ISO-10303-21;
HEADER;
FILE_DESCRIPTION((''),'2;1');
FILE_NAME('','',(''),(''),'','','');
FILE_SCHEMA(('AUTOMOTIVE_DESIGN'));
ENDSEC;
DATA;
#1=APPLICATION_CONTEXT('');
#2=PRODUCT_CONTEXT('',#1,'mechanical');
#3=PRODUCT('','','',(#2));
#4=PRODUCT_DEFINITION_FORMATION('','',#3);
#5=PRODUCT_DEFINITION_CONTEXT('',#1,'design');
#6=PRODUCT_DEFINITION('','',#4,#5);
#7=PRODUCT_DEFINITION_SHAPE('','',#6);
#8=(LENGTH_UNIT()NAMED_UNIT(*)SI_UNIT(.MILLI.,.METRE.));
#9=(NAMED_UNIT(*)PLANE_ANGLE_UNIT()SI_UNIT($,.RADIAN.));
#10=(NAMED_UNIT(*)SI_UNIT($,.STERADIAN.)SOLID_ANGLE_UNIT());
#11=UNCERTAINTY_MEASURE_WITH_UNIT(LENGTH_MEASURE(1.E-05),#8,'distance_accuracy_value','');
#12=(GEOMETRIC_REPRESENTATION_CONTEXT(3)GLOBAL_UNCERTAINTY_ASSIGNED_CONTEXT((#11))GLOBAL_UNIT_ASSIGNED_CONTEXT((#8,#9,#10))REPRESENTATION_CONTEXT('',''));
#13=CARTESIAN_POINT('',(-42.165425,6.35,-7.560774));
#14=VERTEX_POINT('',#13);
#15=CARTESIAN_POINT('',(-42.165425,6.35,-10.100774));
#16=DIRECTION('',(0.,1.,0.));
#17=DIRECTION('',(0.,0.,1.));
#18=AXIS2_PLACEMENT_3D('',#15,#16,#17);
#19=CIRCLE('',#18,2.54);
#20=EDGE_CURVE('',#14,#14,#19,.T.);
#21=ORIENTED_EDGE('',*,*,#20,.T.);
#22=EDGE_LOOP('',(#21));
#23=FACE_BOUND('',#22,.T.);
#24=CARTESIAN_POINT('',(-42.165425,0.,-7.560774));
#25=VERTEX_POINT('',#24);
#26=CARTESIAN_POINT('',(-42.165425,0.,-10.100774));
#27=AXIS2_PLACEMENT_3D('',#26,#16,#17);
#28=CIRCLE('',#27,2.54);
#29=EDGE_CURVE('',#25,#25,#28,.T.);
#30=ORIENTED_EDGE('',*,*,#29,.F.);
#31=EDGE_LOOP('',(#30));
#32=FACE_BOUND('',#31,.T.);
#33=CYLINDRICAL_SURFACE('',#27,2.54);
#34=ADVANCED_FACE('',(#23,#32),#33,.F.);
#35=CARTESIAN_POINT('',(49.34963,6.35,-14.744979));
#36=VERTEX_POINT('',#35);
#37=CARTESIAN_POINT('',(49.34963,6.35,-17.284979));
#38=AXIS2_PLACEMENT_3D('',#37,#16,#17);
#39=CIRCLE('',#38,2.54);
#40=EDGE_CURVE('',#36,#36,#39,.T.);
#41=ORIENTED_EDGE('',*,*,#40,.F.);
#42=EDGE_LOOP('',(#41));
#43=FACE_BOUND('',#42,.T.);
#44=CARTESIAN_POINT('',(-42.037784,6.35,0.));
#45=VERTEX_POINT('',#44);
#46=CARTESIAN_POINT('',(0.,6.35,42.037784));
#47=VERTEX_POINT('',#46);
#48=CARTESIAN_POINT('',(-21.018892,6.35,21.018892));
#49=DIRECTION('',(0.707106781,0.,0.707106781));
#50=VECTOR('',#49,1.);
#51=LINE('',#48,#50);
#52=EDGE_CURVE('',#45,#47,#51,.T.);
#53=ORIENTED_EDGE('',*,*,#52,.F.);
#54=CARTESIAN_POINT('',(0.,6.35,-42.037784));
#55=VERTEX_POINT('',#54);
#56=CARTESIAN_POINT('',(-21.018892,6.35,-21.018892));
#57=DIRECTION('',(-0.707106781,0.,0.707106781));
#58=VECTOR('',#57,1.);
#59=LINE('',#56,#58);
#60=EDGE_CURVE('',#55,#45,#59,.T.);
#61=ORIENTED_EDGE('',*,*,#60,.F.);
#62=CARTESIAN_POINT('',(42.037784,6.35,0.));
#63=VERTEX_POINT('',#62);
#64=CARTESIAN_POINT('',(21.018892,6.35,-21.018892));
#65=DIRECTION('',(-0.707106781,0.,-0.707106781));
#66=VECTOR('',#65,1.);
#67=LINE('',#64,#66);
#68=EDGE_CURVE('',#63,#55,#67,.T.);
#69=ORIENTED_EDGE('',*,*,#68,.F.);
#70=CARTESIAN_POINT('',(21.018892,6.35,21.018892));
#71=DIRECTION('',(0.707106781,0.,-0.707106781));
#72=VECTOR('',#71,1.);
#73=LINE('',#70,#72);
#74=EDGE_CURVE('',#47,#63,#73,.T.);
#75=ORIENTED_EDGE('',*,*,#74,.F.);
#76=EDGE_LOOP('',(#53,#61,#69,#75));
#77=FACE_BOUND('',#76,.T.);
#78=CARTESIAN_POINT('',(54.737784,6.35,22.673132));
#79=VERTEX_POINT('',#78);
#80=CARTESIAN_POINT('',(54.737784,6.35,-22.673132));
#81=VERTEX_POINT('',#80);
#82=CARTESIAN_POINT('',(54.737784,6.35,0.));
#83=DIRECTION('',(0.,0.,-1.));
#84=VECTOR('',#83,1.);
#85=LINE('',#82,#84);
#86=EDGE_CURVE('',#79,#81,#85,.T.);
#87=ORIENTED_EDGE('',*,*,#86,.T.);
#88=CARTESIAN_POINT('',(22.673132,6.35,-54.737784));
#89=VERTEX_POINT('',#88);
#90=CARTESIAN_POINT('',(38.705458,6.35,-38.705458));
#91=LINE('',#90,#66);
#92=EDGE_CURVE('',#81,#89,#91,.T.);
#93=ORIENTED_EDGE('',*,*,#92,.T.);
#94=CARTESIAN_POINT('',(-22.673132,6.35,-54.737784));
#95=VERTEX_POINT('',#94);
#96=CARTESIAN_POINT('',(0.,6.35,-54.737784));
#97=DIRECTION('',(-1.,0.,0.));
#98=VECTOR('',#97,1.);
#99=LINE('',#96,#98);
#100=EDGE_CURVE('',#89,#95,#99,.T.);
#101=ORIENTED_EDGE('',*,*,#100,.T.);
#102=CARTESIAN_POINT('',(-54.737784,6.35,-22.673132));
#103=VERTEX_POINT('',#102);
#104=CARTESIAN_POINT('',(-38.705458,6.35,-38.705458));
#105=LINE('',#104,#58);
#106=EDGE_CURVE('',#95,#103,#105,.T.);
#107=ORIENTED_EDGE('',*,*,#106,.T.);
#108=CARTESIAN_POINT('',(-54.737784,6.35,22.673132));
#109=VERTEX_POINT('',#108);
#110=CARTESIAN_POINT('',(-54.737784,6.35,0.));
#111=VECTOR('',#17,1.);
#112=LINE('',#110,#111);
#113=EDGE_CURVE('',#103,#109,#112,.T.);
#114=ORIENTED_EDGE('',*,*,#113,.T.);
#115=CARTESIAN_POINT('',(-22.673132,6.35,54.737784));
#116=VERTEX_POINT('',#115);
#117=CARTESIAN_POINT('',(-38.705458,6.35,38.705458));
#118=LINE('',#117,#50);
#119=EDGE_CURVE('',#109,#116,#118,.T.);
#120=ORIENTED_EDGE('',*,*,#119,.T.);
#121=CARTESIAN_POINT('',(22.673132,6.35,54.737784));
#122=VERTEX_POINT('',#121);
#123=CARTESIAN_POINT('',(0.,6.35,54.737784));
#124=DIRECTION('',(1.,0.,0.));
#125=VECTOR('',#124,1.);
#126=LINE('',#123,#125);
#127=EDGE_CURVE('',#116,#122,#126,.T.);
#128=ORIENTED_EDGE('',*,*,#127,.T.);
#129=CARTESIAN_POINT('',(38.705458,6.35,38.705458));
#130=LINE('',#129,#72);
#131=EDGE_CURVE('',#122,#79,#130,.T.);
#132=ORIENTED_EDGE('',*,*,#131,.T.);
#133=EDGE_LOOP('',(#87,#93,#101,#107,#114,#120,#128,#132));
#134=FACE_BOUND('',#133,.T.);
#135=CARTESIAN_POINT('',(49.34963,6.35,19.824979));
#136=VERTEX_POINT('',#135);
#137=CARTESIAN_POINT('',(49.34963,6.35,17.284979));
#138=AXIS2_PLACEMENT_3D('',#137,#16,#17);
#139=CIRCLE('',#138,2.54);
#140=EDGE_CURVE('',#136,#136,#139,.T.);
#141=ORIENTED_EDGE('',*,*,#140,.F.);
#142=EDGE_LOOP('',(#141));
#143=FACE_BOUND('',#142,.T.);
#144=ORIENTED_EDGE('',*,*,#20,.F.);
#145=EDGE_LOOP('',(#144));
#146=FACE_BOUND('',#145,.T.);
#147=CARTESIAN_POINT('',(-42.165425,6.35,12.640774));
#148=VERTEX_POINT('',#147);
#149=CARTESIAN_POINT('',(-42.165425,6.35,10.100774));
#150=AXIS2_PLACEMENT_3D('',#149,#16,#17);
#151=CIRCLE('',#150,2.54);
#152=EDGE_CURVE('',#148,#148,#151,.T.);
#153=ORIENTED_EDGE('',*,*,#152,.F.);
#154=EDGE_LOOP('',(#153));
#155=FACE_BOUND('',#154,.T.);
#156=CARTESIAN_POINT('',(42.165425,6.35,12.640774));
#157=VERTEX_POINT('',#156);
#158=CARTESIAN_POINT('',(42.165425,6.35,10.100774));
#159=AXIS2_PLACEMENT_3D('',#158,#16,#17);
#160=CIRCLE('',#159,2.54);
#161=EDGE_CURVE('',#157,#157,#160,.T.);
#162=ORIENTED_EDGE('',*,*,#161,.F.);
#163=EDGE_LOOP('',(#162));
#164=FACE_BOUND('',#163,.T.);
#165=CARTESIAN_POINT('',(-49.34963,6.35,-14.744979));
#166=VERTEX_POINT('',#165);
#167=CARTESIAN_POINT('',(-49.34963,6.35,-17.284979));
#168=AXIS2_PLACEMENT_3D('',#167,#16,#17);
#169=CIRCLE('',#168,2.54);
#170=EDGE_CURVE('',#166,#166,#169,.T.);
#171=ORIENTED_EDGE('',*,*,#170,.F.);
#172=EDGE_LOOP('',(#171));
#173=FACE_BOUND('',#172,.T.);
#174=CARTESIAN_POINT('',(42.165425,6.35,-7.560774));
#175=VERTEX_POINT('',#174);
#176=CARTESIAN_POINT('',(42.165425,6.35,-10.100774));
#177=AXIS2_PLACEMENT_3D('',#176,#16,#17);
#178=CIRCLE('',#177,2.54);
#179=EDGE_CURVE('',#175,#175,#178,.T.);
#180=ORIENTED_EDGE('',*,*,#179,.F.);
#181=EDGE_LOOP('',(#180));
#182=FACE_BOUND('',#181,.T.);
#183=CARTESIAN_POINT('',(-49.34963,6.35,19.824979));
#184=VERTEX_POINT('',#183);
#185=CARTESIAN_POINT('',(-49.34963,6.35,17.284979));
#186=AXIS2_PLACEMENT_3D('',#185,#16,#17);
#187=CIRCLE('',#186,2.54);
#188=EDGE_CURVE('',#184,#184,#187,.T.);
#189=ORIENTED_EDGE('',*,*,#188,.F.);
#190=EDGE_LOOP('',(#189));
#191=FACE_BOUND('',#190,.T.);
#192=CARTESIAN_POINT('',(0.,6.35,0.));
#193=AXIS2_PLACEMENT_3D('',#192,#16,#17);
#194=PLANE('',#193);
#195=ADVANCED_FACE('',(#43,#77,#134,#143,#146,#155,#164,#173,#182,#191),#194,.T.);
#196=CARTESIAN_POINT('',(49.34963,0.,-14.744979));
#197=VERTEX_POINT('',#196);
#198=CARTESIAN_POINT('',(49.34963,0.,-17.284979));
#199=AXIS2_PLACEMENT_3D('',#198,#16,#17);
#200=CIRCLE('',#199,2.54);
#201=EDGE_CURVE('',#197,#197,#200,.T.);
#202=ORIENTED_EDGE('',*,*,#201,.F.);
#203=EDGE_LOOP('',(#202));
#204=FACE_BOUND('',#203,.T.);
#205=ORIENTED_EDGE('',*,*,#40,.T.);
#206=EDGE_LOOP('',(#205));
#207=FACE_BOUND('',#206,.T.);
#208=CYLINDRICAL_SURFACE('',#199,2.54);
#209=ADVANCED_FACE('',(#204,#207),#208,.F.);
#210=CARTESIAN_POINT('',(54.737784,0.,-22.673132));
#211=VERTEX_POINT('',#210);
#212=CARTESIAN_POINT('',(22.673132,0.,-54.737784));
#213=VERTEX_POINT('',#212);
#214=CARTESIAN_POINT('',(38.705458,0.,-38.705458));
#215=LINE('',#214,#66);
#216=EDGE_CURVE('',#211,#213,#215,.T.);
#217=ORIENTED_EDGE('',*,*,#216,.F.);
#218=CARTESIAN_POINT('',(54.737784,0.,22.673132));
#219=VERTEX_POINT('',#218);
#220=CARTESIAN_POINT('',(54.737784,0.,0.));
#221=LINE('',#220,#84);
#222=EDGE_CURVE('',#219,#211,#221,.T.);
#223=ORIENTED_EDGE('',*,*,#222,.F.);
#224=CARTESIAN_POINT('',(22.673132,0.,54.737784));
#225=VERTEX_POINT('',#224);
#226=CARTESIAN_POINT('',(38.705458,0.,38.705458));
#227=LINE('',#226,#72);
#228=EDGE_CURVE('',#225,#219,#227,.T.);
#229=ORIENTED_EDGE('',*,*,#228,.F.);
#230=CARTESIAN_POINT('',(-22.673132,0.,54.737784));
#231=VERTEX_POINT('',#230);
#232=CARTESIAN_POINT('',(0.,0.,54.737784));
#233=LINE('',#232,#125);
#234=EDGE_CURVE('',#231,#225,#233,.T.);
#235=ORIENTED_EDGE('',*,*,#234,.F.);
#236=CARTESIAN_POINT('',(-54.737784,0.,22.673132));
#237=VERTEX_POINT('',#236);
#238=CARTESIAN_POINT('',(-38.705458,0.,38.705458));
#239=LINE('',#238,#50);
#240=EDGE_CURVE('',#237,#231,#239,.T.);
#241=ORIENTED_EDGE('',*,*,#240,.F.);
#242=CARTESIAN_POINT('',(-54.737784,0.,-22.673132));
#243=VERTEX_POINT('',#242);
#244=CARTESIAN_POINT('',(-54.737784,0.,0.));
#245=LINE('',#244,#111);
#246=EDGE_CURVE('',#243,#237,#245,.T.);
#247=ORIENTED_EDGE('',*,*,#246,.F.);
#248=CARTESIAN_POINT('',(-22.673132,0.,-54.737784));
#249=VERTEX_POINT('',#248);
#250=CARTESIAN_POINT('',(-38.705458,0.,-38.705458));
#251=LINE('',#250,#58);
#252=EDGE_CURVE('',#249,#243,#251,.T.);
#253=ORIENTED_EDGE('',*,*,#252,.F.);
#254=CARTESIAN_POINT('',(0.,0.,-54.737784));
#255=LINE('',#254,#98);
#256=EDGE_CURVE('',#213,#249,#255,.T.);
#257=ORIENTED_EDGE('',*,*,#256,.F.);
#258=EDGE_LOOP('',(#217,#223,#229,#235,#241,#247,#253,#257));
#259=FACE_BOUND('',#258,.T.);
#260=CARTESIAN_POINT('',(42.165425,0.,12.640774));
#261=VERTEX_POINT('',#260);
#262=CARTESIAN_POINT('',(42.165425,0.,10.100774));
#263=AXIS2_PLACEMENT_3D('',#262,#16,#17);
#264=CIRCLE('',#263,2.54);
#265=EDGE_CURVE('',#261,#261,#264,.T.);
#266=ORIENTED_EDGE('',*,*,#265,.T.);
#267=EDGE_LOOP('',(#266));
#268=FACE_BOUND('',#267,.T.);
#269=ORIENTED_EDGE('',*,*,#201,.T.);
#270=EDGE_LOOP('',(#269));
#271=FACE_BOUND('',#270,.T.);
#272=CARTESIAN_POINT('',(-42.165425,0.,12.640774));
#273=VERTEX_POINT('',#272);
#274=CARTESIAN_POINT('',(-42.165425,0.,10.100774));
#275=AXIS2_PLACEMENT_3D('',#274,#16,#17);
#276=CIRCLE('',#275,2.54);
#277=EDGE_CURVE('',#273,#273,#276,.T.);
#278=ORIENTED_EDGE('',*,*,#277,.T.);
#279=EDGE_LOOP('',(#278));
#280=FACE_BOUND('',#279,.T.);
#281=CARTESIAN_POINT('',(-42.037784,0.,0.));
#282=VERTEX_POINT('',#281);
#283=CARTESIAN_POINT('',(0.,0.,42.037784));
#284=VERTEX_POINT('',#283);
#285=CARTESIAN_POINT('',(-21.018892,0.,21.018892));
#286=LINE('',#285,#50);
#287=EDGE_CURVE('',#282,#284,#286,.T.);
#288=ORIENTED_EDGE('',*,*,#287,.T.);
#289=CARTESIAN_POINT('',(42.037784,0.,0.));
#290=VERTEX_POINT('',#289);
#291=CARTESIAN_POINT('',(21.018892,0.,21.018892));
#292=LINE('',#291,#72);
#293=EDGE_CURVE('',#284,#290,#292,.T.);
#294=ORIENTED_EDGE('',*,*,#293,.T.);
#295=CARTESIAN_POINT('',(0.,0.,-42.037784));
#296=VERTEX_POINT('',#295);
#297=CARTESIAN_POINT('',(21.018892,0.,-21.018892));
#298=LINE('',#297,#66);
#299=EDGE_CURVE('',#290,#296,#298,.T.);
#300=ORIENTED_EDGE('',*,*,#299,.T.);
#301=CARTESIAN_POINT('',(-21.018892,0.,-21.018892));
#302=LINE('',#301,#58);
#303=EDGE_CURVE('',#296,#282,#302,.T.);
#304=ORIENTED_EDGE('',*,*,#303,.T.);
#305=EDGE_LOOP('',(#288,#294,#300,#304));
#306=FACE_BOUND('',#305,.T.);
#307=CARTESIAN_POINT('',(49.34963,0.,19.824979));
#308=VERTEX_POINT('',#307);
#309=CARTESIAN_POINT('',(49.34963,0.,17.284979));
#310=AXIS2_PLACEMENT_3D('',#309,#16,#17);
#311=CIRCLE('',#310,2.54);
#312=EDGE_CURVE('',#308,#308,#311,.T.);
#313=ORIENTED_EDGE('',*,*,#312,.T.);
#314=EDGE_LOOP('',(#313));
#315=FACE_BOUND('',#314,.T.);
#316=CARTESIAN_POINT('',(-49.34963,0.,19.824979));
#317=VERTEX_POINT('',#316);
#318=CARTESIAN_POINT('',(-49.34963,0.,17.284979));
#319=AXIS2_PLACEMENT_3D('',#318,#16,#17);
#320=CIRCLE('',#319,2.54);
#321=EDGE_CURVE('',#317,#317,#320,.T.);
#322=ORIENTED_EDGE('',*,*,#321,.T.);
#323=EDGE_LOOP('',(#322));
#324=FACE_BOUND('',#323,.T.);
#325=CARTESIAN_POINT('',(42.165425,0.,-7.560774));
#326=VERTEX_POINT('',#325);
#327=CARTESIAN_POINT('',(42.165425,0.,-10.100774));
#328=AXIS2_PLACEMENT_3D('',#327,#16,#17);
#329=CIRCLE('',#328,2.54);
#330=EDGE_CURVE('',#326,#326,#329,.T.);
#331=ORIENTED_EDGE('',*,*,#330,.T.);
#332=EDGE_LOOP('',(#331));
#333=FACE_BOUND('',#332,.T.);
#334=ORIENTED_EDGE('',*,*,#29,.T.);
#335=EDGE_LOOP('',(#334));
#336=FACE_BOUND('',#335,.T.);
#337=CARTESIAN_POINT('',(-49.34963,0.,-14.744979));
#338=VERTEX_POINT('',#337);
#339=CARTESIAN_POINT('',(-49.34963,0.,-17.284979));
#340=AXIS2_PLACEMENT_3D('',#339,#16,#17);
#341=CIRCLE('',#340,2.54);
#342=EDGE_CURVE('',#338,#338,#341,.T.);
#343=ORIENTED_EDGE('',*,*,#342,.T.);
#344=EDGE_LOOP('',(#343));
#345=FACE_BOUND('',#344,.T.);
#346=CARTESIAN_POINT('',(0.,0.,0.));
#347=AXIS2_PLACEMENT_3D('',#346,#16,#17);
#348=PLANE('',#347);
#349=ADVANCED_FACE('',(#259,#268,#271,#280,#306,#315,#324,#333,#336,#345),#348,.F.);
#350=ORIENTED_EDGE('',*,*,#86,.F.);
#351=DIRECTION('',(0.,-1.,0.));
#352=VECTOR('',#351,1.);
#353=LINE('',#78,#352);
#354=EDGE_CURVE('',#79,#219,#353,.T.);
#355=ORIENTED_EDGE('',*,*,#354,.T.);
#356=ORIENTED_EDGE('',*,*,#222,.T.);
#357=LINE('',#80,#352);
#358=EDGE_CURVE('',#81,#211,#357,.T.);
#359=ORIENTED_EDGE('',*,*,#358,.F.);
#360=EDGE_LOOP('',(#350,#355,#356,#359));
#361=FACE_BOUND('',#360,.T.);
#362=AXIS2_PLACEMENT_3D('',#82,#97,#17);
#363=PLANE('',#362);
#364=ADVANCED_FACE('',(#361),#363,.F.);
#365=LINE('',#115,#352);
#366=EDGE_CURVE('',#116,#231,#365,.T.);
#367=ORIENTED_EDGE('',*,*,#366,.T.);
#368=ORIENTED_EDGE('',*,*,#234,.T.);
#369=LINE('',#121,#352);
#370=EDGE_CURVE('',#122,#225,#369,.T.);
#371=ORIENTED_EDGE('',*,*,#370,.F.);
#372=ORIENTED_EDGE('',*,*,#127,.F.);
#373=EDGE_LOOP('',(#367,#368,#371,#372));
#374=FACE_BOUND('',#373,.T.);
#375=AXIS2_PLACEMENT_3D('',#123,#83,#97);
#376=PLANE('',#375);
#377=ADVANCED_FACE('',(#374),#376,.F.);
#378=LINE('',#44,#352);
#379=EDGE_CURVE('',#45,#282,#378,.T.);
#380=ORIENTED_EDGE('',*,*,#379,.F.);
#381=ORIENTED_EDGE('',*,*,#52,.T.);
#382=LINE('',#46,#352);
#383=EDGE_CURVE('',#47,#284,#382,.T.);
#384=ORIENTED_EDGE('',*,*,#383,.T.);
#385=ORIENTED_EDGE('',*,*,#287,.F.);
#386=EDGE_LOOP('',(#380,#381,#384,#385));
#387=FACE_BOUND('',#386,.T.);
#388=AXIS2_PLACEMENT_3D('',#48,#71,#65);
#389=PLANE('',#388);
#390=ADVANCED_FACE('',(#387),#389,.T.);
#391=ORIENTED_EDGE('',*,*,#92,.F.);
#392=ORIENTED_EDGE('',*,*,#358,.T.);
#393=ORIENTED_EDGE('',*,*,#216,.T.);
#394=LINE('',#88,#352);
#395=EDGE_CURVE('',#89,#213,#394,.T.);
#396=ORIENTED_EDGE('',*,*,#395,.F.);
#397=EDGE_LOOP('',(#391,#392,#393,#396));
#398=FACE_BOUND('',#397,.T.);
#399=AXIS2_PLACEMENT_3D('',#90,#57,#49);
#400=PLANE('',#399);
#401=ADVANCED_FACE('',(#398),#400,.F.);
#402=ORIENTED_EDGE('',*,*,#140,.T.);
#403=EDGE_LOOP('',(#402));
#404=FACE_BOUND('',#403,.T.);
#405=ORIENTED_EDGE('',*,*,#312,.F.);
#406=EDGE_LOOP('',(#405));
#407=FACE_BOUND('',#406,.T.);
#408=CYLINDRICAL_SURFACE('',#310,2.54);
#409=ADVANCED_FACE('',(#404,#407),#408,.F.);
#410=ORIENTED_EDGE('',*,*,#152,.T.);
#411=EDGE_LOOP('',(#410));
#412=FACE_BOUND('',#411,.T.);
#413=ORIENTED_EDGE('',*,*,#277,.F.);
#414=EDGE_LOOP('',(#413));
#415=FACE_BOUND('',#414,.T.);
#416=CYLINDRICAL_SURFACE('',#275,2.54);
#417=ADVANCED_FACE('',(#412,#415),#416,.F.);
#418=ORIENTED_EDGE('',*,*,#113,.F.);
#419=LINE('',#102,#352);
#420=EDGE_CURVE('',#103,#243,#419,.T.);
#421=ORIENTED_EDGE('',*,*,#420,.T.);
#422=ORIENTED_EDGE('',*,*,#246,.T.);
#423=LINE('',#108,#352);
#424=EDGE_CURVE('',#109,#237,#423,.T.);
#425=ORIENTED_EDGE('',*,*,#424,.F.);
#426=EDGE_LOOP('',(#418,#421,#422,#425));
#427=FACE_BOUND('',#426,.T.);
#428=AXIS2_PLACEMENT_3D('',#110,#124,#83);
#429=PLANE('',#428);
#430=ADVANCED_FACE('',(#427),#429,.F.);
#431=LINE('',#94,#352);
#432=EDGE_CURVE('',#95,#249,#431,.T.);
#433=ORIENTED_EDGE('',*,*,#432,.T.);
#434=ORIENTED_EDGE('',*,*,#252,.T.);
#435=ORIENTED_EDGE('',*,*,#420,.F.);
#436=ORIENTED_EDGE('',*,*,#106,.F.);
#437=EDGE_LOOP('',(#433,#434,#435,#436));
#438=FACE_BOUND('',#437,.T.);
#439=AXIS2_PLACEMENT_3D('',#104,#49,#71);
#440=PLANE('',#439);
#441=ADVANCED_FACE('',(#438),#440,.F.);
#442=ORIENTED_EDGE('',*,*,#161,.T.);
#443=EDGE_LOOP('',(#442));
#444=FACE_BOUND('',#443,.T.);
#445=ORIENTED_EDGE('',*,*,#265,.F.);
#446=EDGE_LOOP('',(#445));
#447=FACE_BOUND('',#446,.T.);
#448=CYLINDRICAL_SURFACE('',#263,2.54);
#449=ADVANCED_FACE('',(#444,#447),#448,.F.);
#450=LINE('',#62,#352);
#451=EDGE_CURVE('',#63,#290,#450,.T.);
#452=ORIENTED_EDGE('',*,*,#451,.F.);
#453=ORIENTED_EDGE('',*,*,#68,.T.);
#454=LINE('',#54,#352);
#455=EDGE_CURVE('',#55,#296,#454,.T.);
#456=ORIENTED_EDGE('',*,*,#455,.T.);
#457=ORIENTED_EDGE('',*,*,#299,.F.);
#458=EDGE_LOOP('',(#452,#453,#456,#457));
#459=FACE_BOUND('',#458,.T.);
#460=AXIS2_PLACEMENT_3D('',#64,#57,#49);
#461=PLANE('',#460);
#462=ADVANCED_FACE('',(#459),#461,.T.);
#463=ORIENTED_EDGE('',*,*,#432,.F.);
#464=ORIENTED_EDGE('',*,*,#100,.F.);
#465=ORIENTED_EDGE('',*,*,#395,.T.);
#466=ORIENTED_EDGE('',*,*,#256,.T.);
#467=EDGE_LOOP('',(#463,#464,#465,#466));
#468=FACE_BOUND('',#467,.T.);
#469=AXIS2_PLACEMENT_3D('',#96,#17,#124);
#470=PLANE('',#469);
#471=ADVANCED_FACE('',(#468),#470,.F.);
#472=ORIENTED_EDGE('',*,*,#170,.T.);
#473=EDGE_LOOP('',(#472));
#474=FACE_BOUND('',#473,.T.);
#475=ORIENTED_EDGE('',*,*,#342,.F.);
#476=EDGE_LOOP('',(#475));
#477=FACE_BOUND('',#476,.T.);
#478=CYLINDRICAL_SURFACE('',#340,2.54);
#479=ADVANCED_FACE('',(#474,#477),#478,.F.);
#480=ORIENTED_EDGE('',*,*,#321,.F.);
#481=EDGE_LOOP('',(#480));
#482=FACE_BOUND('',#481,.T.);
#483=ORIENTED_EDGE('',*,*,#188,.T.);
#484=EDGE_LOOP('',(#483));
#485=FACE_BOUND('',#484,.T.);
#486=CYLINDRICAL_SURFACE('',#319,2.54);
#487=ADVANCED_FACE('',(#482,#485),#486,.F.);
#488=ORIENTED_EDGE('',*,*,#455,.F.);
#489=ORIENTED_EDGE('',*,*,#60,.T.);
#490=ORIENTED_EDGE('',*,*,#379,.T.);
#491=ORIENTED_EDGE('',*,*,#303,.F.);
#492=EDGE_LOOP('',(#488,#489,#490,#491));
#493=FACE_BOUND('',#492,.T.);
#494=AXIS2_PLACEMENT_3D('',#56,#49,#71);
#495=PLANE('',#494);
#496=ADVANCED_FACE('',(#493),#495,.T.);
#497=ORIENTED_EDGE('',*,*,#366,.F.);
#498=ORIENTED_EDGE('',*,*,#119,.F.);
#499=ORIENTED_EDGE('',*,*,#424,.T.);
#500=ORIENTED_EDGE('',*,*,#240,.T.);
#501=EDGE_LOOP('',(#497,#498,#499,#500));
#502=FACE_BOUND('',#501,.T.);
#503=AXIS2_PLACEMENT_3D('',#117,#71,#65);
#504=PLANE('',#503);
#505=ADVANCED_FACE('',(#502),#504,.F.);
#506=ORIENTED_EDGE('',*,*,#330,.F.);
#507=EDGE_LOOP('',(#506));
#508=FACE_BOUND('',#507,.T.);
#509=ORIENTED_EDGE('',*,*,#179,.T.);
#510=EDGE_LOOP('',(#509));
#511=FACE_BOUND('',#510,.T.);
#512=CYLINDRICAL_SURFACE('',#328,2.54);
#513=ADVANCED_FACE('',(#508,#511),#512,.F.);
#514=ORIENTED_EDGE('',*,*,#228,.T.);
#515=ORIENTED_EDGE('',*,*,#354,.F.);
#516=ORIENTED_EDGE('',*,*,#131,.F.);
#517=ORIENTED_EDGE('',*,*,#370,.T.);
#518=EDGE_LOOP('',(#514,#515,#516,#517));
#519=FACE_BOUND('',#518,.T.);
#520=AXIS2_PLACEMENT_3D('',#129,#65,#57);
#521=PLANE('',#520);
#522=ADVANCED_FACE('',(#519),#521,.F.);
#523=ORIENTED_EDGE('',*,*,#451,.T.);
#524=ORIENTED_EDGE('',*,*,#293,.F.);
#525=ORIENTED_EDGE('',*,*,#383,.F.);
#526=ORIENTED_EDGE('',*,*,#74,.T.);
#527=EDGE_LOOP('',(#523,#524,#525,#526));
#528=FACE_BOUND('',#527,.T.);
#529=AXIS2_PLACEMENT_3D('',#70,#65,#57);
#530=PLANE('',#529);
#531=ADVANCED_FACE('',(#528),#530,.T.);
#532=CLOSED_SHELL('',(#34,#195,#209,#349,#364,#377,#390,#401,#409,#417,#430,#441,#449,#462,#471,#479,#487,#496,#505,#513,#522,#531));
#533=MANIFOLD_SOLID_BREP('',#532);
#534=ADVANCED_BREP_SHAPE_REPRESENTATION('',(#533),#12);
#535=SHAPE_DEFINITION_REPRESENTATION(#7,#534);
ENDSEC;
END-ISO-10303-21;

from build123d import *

# Parameters (mm, degrees)
BOSS_EXTRUDE1_DEPTH = 6.35
SKETCH2_R           = 2.54
CUT_EXTRUDE1_DEPTH  = 6.35


with BuildPart() as part:
    # Sketch1 → Boss-Extrude1 (new body)
    with BuildSketch(Plane(origin=(0, 0, 0), x_dir=(1, 0, 0), z_dir=(0, 1, 0))):
        Polygon((0, -42.037783588), (-42.037783588, 0), (-54.737783588, 0), (-54.737783588, -22.673132337), (-22.673132337, -54.737783588), (0, -54.737783588), align=None)
        Polygon((0, 42.037783588), (0, 54.737783588), (-22.673132337, 54.737783588), (-54.737783588, 22.673132337), (-54.737783588, 0), (-42.037783588, 0), align=None)
        Polygon((22.673132337, 54.737783588), (0, 54.737783588), (0, 42.037783588), (42.037783588, 0), (54.737783588, 0), (54.737783588, 22.673132337), align=None)
        Polygon((54.737783588, 0), (42.037783588, 0), (0, -42.037783588), (0, -54.737783588), (22.673132337, -54.737783588), (54.737783588, -22.673132337), align=None)
    extrude(amount=BOSS_EXTRUDE1_DEPTH)

    # Sketch2 → Cut-Extrude1 (cut)
    with BuildSketch(Plane(origin=(0, 6.35, 0), x_dir=(1, 0, 0), z_dir=(0, 1, 0))):
        with Locations((-49.349629916, 17.284978664)):
            Circle(SKETCH2_R)
        with Locations((-42.165425019, 10.100773767)):
            Circle(SKETCH2_R)
        with Locations((-49.349629916, -17.284978664)):
            Circle(SKETCH2_R)
        with Locations((-42.165425019, -10.100773767)):
            Circle(SKETCH2_R)
        with Locations((49.349629916, 17.284978664)):
            Circle(SKETCH2_R)
        with Locations((42.165425019, 10.100773767)):
            Circle(SKETCH2_R)
        with Locations((42.165425019, -10.100773767)):
            Circle(SKETCH2_R)
        with Locations((49.349629916, -17.284978664)):
            Circle(SKETCH2_R)
    extrude(amount=-CUT_EXTRUDE1_DEPTH, mode=Mode.SUBTRACT)


solid = part.part
